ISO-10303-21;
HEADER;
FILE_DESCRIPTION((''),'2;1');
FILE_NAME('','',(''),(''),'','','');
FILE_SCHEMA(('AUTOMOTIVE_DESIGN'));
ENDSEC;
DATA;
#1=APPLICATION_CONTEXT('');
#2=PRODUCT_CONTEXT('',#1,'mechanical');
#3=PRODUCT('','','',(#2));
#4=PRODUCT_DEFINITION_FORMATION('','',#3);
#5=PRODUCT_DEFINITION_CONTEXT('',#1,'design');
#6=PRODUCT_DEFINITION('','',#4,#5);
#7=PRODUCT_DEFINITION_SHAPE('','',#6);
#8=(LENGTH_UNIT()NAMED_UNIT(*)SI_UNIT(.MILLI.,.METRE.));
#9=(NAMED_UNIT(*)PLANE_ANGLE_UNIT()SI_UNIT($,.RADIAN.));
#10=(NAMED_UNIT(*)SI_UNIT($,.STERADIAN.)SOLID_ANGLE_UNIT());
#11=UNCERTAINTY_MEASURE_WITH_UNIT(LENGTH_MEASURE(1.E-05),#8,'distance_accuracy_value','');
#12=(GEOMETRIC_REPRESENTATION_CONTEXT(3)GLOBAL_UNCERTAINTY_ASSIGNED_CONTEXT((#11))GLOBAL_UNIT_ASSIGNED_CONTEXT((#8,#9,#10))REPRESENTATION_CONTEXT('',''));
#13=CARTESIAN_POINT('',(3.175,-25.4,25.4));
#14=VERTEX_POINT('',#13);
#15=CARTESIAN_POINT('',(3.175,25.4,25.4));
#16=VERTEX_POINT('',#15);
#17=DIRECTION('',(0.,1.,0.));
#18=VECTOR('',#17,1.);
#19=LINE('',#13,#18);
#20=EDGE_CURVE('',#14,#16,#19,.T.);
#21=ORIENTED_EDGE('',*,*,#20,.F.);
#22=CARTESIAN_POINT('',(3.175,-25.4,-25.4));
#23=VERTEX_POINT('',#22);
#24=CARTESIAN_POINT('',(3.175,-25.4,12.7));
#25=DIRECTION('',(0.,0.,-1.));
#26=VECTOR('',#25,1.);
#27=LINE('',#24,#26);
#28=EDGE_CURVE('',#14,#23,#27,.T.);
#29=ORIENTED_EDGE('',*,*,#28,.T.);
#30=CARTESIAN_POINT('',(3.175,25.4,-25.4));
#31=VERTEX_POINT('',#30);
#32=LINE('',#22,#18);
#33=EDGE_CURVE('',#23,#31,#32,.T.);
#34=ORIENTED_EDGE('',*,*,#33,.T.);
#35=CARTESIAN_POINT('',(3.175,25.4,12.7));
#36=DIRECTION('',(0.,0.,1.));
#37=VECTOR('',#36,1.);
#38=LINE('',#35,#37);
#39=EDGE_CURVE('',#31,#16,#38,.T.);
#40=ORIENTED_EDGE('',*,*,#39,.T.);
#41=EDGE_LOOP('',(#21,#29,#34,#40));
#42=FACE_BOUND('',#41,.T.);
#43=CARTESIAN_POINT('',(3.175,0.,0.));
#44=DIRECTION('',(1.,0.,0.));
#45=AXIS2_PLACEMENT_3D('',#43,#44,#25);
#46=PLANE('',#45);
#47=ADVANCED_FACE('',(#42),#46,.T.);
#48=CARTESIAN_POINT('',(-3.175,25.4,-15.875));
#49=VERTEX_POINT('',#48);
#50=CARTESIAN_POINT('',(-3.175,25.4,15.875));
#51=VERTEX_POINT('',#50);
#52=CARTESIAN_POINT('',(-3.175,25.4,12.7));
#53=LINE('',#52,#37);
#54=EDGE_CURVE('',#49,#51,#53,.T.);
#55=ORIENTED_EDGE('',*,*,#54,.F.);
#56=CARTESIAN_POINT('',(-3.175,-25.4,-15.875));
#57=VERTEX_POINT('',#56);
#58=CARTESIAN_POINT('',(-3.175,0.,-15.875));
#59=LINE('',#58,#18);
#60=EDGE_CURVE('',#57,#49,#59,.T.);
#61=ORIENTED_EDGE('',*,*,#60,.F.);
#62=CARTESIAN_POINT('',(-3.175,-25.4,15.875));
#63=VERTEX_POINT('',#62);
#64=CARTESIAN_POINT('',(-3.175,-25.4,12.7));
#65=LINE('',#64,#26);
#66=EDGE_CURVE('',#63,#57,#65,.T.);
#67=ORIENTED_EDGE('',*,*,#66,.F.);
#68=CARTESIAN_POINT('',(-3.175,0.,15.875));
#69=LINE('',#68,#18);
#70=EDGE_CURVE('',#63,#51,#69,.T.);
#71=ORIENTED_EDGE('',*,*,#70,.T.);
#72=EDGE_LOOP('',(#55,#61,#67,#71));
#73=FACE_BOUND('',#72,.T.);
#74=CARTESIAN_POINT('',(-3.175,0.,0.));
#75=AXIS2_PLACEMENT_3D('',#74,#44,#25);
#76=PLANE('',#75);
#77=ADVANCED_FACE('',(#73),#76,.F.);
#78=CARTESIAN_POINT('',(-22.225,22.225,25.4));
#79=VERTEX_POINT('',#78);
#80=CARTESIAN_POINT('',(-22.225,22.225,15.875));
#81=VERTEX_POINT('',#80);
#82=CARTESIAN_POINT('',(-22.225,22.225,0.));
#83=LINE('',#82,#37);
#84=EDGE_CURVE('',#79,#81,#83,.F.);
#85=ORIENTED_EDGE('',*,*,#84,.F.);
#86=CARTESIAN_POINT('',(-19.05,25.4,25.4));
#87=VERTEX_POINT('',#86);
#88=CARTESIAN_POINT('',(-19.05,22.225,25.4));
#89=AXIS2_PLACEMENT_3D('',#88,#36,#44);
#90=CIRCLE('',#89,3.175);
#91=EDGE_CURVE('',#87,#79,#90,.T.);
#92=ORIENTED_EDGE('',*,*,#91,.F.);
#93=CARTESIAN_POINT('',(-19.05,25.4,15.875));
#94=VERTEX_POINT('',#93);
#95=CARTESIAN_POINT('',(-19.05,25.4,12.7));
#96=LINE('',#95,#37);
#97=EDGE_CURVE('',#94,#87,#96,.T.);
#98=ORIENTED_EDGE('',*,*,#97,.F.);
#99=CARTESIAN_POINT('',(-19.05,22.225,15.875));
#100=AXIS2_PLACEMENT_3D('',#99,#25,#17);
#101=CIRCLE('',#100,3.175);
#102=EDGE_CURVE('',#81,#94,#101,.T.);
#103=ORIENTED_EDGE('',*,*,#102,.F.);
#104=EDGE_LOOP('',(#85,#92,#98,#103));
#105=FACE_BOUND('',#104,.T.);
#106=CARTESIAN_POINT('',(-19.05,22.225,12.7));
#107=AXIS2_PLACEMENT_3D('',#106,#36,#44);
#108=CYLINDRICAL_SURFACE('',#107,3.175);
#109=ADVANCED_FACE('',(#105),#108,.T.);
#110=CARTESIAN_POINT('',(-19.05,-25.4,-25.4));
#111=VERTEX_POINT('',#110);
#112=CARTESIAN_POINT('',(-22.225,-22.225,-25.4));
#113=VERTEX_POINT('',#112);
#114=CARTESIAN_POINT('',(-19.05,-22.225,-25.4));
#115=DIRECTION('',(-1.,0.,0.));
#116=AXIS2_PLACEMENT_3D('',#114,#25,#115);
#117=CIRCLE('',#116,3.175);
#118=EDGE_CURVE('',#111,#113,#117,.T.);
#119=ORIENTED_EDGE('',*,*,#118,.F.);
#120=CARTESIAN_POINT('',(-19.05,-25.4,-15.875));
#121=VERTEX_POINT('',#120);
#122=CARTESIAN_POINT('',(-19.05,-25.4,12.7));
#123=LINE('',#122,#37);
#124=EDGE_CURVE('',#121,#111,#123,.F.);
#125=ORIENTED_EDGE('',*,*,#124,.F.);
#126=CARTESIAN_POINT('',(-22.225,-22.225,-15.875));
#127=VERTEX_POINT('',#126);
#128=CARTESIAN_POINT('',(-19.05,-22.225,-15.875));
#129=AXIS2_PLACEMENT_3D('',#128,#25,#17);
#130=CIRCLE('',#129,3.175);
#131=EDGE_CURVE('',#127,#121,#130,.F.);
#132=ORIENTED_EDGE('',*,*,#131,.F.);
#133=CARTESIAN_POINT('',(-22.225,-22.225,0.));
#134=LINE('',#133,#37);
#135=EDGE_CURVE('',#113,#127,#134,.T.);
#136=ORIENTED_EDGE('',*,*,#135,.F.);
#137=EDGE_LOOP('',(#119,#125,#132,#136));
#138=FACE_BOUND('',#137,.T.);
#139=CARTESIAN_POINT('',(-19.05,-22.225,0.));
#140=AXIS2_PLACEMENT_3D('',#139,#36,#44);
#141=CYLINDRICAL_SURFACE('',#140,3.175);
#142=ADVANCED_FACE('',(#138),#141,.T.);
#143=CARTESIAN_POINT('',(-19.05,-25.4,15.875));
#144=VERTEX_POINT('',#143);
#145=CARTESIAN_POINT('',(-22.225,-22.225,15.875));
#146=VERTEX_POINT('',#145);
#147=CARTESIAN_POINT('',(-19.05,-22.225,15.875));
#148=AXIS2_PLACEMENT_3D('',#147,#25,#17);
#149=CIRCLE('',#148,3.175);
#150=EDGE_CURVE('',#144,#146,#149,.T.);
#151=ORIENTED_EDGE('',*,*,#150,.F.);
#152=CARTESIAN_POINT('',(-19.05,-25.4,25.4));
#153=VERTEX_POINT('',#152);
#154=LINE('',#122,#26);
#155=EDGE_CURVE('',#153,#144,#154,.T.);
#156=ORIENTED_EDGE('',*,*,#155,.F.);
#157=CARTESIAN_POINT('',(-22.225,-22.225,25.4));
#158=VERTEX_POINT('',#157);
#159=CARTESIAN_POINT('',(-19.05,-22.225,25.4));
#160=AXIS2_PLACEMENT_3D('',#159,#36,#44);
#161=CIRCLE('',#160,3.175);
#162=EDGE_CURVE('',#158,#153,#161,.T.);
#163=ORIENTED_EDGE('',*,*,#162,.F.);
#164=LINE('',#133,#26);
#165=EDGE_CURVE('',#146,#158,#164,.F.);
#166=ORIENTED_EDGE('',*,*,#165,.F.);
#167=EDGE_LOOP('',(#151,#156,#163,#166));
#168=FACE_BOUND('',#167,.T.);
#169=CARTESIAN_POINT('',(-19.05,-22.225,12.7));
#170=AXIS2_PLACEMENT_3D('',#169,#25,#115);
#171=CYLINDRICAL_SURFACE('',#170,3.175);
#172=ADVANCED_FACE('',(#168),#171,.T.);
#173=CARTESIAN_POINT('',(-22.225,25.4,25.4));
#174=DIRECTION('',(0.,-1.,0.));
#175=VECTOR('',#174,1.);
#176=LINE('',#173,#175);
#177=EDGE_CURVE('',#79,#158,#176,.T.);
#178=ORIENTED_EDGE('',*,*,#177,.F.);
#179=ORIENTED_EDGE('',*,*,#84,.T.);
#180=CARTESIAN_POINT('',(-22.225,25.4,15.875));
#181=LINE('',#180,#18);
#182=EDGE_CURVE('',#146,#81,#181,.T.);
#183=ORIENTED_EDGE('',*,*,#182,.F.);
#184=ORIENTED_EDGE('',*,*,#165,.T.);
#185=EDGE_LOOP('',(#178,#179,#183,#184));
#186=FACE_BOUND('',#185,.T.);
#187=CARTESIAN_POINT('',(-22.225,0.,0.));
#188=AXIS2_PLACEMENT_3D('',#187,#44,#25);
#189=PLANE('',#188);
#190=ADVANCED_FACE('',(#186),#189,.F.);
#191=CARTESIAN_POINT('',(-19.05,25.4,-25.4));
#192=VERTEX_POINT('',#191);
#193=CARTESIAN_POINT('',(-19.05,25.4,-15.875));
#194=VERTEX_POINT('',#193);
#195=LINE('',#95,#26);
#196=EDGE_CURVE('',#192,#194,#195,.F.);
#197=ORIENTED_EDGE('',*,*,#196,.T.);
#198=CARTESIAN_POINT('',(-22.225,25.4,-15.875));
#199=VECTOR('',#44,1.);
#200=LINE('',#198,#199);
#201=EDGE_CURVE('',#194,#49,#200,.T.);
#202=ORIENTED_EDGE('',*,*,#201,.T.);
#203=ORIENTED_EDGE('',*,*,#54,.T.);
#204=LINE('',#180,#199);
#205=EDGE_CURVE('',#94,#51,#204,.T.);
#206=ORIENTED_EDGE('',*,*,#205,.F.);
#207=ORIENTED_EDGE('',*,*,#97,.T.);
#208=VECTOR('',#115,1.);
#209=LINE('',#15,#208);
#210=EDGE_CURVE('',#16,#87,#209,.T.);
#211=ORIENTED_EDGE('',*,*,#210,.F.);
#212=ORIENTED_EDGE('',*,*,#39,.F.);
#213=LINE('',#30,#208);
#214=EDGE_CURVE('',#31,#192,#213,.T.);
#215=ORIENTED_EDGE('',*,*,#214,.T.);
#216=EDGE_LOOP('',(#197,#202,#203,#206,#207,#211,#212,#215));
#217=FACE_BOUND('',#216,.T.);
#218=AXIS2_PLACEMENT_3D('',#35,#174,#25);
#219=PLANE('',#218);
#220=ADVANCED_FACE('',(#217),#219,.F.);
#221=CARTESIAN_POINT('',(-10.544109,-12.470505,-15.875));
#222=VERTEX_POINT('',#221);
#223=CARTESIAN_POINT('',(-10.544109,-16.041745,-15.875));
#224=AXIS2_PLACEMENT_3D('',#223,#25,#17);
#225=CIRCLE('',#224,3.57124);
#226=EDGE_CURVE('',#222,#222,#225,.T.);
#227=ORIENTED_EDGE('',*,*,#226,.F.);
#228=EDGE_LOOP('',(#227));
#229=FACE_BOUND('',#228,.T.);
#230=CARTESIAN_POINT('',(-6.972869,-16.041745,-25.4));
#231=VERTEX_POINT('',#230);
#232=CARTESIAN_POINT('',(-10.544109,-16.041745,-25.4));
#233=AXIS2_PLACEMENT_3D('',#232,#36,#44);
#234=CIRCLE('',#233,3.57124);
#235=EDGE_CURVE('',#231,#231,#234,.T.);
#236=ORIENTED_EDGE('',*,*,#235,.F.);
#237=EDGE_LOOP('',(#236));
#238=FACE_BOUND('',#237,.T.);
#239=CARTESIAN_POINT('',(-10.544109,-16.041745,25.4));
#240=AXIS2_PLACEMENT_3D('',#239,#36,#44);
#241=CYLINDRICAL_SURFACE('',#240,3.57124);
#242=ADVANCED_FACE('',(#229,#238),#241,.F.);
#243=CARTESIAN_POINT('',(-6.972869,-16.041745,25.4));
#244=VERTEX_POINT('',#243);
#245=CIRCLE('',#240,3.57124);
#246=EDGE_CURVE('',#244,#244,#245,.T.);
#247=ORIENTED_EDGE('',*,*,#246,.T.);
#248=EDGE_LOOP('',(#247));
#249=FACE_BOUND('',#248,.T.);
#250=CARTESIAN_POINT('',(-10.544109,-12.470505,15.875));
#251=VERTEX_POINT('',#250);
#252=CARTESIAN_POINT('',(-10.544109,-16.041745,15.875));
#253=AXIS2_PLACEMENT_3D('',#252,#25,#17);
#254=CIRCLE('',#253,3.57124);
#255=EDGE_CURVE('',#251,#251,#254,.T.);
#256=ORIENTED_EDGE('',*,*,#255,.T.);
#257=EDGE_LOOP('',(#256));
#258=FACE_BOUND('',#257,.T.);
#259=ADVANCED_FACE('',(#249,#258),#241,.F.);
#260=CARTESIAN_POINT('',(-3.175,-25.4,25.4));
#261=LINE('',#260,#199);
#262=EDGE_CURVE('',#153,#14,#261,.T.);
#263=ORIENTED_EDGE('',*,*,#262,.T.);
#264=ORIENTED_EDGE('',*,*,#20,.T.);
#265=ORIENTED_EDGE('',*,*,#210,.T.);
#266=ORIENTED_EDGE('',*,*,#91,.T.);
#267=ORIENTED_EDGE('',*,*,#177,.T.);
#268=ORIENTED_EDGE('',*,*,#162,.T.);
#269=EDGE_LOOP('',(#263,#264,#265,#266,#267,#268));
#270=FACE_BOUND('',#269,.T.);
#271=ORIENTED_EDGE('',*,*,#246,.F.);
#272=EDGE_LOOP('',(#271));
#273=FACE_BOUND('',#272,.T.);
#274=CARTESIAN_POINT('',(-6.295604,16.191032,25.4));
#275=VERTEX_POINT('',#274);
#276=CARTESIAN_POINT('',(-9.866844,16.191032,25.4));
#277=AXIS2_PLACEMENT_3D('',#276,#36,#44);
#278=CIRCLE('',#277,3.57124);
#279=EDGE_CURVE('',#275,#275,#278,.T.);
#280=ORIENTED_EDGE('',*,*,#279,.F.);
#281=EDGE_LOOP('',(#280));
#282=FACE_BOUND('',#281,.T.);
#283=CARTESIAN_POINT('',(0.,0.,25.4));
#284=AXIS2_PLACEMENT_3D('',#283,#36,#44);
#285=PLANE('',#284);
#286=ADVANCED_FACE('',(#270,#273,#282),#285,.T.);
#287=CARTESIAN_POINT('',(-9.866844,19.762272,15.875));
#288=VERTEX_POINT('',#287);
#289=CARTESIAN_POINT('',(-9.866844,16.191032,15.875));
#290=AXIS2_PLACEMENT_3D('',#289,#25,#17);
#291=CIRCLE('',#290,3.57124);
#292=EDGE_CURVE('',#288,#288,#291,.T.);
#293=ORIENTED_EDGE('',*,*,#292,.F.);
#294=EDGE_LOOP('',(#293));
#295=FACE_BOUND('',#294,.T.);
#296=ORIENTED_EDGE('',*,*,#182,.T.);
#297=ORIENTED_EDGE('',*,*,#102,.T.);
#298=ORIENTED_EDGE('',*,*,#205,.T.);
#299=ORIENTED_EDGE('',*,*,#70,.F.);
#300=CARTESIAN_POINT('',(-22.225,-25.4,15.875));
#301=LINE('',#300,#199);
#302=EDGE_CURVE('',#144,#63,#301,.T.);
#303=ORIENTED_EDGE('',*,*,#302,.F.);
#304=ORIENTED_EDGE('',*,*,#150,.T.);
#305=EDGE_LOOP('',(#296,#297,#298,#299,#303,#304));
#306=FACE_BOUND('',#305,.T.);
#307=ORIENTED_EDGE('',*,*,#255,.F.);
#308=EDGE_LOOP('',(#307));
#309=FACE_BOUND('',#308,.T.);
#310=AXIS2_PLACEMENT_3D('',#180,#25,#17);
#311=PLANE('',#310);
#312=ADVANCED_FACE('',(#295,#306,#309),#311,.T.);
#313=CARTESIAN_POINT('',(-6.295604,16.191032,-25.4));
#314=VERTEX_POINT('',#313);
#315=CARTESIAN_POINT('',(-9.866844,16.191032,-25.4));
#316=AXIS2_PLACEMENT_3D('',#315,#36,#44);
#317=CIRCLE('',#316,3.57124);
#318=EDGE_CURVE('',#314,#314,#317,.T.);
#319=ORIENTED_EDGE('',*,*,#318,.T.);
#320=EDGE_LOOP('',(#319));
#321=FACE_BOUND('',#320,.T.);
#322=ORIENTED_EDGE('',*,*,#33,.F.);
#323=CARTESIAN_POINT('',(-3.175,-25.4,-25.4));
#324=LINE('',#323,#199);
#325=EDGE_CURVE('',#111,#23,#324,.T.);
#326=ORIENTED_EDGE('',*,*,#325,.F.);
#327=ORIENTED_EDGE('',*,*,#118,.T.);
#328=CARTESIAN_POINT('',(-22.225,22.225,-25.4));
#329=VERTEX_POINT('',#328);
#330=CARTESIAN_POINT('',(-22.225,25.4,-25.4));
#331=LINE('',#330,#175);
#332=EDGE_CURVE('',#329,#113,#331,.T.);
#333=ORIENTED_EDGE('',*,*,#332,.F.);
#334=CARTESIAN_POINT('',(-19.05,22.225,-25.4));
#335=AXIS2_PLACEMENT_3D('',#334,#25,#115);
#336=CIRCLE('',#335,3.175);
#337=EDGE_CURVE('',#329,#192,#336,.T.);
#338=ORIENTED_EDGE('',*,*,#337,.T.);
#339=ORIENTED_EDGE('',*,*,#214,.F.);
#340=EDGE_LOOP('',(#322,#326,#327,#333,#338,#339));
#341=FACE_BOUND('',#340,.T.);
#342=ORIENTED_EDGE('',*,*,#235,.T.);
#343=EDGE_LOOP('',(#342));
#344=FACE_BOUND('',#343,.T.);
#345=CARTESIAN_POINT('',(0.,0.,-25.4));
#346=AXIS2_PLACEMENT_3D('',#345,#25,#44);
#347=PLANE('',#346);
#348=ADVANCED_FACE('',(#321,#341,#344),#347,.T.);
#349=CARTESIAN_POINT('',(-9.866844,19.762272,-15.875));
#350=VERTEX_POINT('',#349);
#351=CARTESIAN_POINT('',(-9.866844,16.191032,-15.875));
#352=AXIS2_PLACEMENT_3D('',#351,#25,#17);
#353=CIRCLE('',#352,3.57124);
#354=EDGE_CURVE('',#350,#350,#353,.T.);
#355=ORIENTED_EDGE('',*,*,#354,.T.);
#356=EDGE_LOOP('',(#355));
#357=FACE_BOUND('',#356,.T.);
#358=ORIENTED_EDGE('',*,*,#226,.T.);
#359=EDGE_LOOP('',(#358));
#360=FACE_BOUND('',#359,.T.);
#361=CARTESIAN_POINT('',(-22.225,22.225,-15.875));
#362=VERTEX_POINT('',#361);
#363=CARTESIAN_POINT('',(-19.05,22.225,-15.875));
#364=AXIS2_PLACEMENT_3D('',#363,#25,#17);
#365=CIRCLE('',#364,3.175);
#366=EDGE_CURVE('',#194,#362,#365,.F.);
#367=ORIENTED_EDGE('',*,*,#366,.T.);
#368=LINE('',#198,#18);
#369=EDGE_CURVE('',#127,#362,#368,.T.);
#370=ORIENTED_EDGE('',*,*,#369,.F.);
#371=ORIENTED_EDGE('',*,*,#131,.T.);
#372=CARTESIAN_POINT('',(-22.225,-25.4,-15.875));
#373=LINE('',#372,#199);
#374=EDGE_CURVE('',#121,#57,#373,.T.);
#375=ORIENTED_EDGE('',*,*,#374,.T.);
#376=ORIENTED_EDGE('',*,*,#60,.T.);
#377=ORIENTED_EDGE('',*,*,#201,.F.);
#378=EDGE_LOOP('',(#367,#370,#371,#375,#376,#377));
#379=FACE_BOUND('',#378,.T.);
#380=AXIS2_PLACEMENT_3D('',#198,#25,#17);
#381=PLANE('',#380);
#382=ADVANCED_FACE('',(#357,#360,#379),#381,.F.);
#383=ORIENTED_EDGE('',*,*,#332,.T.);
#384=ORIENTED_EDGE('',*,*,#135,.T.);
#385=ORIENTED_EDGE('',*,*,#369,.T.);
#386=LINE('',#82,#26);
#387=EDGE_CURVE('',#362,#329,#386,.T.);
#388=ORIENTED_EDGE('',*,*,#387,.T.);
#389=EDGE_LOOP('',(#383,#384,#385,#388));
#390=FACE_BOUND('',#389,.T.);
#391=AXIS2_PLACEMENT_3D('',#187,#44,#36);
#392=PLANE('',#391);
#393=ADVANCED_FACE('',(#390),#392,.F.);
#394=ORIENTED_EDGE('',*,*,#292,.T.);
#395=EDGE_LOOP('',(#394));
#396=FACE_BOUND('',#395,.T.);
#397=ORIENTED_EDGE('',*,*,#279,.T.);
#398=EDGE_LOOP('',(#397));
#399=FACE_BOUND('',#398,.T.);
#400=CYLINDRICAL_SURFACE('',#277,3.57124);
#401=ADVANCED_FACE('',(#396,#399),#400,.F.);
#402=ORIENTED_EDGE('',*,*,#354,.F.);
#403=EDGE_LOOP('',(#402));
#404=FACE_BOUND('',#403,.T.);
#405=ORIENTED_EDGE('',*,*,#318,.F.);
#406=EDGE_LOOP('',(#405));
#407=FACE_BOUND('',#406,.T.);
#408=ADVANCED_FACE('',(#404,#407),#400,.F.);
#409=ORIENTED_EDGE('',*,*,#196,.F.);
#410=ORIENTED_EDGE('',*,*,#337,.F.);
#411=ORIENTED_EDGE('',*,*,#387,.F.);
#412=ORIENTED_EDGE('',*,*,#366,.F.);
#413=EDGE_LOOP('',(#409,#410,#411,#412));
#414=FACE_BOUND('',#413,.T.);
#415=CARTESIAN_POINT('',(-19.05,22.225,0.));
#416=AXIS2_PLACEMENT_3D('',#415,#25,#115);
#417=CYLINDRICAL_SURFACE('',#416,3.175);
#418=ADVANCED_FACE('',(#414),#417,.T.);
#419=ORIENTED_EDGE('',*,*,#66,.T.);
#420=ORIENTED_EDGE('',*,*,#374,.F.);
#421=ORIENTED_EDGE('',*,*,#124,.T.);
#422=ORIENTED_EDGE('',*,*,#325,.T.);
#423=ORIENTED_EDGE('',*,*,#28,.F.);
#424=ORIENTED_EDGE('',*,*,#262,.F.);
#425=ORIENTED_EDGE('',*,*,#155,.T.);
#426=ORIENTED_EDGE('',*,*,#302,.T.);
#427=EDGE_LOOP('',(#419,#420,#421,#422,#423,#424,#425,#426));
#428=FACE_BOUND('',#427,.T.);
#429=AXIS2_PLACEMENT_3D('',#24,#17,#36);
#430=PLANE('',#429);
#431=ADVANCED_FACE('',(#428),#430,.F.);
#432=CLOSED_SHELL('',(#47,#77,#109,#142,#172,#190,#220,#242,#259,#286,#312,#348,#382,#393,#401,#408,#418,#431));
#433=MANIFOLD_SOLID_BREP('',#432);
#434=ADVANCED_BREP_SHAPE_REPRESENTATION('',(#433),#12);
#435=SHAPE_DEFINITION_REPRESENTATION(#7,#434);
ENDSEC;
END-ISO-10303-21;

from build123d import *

# Parameters (mm, degrees)
SKETCH1_W               = 25.4
SKETCH1_H               = 50.8
BOSS_EXTRUDE1_DEPTH     = 3.175
SKETCH4_W               = 6.35
SKETCH4_H               = 50.8
BOSS_EXTRUDE2_DEPTH     = 12.7
SKETCH5_W               = 9.525
SKETCH5_H               = 50.8
BOSS_EXTRUDE3_DEPTH     = 25.4
F_1_4_CLEARANCE_HOLE1_D = 7.14248
FILLET1_R               = 3.175


with BuildPart() as part:
    # Sketch1 → Boss-Extrude1 (new, symmetric)
    with BuildSketch(Plane(origin=(0, 0, 0), x_dir=(0, 0, -1), z_dir=(1, 0, 0))):
        Rectangle(SKETCH1_W, SKETCH1_H)
    extrude(amount=BOSS_EXTRUDE1_DEPTH, both=True)

    # Sketch4 → Boss-Extrude2 (add)
    with BuildSketch(Plane.XY.offset(12.7)):
        Rectangle(SKETCH4_W, SKETCH4_H)
    boss_extrude2 = extrude(amount=BOSS_EXTRUDE2_DEPTH)

    # Sketch5 → Boss-Extrude3 (add)
    with BuildSketch(Plane(origin=(3.175, 0, 0), x_dir=(0, 0, -1), z_dir=(1, 0, 0))):
        with Locations((-20.6375, 0)):
            Rectangle(SKETCH5_W, SKETCH5_H)
    boss_extrude3 = extrude(amount=-BOSS_EXTRUDE3_DEPTH)

    # Mirror1: Boss-Extrude2, Boss-Extrude3 across plane
    add(boss_extrude2.mirror(Plane.XY))
    add(boss_extrude3.mirror(Plane.XY))

    # 1/4 Clearance Hole1 (through all)
    with Locations(Plane(origin=(-9.866844114, 16.191031899, 25.4), x_dir=(1, 0, 0), z_dir=(0, 0, 1))):
        with Locations((0, 0), (-0.677264826, -32.232776497)):
            Hole(F_1_4_CLEARANCE_HOLE1_D / 2)

    # Fillet1
    fillet1_edges = [part.edges().sort_by_distance(p)[0] for p in [
        (-22.225, 25.4, 20.6375),
        (-22.225, -25.4, 20.6375),
        (-22.225, -25.4, -20.6375),
        (-22.225, 25.4, -20.6375),
    ]]
    fillet(fillet1_edges, radius=FILLET1_R)


solid = part.part
